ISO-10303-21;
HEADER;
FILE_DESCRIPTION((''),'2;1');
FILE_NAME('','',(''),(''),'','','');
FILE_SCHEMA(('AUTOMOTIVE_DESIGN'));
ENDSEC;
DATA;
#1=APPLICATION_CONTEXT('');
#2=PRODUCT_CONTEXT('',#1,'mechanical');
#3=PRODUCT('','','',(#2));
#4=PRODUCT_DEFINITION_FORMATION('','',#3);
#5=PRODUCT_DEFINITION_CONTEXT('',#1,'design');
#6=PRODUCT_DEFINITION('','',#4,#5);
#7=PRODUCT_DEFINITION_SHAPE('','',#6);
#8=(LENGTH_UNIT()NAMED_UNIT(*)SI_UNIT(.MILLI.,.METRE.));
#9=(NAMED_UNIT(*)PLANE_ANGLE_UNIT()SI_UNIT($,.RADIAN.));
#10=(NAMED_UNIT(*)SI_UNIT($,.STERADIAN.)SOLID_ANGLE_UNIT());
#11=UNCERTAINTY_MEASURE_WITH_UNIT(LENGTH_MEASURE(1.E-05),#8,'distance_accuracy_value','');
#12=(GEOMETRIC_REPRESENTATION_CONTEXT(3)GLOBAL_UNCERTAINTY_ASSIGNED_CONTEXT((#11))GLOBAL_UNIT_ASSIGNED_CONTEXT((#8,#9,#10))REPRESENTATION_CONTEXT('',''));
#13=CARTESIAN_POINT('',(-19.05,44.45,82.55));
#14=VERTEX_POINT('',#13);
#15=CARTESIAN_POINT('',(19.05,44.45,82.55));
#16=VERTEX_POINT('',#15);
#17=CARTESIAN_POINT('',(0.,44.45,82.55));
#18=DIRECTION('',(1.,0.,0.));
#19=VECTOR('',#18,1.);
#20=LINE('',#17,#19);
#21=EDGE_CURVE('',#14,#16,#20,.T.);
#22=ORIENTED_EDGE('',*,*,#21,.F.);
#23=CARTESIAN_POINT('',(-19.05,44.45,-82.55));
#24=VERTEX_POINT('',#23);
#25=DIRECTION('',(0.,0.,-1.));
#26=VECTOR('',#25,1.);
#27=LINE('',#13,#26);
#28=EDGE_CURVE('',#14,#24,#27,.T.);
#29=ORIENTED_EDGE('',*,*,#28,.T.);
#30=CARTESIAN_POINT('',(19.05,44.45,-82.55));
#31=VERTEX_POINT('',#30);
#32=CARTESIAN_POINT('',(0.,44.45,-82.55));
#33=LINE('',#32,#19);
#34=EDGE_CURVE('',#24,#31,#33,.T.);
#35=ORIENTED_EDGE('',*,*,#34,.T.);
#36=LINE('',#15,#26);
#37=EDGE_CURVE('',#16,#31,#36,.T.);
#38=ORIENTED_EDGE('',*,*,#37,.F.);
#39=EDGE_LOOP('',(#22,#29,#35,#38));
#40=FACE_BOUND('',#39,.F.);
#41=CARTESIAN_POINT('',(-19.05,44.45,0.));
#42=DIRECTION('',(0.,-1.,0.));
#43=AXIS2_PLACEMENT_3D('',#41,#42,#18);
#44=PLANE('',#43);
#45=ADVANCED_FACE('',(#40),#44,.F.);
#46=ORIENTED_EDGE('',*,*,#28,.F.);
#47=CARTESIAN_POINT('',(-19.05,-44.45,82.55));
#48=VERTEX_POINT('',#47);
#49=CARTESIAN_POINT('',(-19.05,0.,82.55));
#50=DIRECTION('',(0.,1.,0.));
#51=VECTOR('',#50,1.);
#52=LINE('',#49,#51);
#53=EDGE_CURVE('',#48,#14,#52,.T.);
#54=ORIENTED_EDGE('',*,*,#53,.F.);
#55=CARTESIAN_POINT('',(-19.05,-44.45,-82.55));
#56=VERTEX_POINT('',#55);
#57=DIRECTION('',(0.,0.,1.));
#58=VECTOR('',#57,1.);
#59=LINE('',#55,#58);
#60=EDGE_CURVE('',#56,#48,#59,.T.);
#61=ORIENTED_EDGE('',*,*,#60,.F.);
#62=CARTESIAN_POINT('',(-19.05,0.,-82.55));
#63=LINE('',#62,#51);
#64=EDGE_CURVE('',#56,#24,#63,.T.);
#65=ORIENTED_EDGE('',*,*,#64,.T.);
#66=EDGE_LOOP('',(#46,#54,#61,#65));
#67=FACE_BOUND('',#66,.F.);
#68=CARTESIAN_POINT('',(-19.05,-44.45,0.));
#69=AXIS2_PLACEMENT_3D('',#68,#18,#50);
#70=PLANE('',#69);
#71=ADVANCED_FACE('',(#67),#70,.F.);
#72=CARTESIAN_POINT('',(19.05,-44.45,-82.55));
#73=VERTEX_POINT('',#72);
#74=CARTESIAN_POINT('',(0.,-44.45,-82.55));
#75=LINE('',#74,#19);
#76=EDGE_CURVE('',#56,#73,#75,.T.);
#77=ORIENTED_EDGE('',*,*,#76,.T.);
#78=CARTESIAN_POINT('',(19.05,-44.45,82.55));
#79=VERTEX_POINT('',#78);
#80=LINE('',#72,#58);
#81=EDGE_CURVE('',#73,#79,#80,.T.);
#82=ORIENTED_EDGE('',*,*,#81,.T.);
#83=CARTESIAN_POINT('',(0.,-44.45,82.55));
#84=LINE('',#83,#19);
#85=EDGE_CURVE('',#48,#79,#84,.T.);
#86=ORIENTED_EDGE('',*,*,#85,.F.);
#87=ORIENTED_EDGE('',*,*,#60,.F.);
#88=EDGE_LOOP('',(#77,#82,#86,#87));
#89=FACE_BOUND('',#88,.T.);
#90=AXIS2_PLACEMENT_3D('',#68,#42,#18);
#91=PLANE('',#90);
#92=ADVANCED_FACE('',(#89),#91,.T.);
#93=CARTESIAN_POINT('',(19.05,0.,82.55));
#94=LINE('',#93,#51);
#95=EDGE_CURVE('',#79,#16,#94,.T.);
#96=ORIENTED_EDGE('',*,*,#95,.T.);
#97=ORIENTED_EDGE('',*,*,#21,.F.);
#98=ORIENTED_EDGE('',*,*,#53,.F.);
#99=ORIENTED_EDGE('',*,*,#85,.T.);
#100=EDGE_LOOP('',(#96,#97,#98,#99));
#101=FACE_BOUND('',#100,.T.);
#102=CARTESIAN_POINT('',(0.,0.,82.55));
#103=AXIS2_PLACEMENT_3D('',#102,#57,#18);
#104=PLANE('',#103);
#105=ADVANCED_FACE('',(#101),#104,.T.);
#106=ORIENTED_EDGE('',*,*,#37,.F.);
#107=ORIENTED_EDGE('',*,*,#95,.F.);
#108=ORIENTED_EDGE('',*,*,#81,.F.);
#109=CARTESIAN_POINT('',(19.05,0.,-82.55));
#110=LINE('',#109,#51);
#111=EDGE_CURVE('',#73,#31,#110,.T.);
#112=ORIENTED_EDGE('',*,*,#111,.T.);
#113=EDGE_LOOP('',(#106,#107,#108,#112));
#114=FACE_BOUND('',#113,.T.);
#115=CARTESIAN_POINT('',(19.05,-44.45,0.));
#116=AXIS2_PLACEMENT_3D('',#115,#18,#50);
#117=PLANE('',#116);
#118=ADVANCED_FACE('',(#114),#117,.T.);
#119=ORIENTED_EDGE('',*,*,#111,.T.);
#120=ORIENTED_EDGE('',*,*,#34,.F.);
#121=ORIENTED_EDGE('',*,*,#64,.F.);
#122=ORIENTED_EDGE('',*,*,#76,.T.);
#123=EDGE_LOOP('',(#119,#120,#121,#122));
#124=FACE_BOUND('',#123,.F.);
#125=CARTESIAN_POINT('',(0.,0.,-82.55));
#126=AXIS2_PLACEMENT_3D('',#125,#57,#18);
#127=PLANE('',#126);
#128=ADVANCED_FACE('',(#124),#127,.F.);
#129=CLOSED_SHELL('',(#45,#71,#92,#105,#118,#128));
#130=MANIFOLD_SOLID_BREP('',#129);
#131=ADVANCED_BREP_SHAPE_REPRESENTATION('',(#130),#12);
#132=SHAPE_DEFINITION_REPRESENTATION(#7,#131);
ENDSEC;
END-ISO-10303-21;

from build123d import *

# Parameters (mm, degrees)
SKETCH1_W           = 38.1
SKETCH1_H           = 88.9
BOSS_EXTRUDE1_DEPTH = 82.55


with BuildPart() as part:
    # Sketch1 → Boss-Extrude1 (new body, symmetric)
    with BuildSketch(Plane.XY):
        Rectangle(SKETCH1_W, SKETCH1_H)
    extrude(amount=BOSS_EXTRUDE1_DEPTH, both=True)


solid = part.part
